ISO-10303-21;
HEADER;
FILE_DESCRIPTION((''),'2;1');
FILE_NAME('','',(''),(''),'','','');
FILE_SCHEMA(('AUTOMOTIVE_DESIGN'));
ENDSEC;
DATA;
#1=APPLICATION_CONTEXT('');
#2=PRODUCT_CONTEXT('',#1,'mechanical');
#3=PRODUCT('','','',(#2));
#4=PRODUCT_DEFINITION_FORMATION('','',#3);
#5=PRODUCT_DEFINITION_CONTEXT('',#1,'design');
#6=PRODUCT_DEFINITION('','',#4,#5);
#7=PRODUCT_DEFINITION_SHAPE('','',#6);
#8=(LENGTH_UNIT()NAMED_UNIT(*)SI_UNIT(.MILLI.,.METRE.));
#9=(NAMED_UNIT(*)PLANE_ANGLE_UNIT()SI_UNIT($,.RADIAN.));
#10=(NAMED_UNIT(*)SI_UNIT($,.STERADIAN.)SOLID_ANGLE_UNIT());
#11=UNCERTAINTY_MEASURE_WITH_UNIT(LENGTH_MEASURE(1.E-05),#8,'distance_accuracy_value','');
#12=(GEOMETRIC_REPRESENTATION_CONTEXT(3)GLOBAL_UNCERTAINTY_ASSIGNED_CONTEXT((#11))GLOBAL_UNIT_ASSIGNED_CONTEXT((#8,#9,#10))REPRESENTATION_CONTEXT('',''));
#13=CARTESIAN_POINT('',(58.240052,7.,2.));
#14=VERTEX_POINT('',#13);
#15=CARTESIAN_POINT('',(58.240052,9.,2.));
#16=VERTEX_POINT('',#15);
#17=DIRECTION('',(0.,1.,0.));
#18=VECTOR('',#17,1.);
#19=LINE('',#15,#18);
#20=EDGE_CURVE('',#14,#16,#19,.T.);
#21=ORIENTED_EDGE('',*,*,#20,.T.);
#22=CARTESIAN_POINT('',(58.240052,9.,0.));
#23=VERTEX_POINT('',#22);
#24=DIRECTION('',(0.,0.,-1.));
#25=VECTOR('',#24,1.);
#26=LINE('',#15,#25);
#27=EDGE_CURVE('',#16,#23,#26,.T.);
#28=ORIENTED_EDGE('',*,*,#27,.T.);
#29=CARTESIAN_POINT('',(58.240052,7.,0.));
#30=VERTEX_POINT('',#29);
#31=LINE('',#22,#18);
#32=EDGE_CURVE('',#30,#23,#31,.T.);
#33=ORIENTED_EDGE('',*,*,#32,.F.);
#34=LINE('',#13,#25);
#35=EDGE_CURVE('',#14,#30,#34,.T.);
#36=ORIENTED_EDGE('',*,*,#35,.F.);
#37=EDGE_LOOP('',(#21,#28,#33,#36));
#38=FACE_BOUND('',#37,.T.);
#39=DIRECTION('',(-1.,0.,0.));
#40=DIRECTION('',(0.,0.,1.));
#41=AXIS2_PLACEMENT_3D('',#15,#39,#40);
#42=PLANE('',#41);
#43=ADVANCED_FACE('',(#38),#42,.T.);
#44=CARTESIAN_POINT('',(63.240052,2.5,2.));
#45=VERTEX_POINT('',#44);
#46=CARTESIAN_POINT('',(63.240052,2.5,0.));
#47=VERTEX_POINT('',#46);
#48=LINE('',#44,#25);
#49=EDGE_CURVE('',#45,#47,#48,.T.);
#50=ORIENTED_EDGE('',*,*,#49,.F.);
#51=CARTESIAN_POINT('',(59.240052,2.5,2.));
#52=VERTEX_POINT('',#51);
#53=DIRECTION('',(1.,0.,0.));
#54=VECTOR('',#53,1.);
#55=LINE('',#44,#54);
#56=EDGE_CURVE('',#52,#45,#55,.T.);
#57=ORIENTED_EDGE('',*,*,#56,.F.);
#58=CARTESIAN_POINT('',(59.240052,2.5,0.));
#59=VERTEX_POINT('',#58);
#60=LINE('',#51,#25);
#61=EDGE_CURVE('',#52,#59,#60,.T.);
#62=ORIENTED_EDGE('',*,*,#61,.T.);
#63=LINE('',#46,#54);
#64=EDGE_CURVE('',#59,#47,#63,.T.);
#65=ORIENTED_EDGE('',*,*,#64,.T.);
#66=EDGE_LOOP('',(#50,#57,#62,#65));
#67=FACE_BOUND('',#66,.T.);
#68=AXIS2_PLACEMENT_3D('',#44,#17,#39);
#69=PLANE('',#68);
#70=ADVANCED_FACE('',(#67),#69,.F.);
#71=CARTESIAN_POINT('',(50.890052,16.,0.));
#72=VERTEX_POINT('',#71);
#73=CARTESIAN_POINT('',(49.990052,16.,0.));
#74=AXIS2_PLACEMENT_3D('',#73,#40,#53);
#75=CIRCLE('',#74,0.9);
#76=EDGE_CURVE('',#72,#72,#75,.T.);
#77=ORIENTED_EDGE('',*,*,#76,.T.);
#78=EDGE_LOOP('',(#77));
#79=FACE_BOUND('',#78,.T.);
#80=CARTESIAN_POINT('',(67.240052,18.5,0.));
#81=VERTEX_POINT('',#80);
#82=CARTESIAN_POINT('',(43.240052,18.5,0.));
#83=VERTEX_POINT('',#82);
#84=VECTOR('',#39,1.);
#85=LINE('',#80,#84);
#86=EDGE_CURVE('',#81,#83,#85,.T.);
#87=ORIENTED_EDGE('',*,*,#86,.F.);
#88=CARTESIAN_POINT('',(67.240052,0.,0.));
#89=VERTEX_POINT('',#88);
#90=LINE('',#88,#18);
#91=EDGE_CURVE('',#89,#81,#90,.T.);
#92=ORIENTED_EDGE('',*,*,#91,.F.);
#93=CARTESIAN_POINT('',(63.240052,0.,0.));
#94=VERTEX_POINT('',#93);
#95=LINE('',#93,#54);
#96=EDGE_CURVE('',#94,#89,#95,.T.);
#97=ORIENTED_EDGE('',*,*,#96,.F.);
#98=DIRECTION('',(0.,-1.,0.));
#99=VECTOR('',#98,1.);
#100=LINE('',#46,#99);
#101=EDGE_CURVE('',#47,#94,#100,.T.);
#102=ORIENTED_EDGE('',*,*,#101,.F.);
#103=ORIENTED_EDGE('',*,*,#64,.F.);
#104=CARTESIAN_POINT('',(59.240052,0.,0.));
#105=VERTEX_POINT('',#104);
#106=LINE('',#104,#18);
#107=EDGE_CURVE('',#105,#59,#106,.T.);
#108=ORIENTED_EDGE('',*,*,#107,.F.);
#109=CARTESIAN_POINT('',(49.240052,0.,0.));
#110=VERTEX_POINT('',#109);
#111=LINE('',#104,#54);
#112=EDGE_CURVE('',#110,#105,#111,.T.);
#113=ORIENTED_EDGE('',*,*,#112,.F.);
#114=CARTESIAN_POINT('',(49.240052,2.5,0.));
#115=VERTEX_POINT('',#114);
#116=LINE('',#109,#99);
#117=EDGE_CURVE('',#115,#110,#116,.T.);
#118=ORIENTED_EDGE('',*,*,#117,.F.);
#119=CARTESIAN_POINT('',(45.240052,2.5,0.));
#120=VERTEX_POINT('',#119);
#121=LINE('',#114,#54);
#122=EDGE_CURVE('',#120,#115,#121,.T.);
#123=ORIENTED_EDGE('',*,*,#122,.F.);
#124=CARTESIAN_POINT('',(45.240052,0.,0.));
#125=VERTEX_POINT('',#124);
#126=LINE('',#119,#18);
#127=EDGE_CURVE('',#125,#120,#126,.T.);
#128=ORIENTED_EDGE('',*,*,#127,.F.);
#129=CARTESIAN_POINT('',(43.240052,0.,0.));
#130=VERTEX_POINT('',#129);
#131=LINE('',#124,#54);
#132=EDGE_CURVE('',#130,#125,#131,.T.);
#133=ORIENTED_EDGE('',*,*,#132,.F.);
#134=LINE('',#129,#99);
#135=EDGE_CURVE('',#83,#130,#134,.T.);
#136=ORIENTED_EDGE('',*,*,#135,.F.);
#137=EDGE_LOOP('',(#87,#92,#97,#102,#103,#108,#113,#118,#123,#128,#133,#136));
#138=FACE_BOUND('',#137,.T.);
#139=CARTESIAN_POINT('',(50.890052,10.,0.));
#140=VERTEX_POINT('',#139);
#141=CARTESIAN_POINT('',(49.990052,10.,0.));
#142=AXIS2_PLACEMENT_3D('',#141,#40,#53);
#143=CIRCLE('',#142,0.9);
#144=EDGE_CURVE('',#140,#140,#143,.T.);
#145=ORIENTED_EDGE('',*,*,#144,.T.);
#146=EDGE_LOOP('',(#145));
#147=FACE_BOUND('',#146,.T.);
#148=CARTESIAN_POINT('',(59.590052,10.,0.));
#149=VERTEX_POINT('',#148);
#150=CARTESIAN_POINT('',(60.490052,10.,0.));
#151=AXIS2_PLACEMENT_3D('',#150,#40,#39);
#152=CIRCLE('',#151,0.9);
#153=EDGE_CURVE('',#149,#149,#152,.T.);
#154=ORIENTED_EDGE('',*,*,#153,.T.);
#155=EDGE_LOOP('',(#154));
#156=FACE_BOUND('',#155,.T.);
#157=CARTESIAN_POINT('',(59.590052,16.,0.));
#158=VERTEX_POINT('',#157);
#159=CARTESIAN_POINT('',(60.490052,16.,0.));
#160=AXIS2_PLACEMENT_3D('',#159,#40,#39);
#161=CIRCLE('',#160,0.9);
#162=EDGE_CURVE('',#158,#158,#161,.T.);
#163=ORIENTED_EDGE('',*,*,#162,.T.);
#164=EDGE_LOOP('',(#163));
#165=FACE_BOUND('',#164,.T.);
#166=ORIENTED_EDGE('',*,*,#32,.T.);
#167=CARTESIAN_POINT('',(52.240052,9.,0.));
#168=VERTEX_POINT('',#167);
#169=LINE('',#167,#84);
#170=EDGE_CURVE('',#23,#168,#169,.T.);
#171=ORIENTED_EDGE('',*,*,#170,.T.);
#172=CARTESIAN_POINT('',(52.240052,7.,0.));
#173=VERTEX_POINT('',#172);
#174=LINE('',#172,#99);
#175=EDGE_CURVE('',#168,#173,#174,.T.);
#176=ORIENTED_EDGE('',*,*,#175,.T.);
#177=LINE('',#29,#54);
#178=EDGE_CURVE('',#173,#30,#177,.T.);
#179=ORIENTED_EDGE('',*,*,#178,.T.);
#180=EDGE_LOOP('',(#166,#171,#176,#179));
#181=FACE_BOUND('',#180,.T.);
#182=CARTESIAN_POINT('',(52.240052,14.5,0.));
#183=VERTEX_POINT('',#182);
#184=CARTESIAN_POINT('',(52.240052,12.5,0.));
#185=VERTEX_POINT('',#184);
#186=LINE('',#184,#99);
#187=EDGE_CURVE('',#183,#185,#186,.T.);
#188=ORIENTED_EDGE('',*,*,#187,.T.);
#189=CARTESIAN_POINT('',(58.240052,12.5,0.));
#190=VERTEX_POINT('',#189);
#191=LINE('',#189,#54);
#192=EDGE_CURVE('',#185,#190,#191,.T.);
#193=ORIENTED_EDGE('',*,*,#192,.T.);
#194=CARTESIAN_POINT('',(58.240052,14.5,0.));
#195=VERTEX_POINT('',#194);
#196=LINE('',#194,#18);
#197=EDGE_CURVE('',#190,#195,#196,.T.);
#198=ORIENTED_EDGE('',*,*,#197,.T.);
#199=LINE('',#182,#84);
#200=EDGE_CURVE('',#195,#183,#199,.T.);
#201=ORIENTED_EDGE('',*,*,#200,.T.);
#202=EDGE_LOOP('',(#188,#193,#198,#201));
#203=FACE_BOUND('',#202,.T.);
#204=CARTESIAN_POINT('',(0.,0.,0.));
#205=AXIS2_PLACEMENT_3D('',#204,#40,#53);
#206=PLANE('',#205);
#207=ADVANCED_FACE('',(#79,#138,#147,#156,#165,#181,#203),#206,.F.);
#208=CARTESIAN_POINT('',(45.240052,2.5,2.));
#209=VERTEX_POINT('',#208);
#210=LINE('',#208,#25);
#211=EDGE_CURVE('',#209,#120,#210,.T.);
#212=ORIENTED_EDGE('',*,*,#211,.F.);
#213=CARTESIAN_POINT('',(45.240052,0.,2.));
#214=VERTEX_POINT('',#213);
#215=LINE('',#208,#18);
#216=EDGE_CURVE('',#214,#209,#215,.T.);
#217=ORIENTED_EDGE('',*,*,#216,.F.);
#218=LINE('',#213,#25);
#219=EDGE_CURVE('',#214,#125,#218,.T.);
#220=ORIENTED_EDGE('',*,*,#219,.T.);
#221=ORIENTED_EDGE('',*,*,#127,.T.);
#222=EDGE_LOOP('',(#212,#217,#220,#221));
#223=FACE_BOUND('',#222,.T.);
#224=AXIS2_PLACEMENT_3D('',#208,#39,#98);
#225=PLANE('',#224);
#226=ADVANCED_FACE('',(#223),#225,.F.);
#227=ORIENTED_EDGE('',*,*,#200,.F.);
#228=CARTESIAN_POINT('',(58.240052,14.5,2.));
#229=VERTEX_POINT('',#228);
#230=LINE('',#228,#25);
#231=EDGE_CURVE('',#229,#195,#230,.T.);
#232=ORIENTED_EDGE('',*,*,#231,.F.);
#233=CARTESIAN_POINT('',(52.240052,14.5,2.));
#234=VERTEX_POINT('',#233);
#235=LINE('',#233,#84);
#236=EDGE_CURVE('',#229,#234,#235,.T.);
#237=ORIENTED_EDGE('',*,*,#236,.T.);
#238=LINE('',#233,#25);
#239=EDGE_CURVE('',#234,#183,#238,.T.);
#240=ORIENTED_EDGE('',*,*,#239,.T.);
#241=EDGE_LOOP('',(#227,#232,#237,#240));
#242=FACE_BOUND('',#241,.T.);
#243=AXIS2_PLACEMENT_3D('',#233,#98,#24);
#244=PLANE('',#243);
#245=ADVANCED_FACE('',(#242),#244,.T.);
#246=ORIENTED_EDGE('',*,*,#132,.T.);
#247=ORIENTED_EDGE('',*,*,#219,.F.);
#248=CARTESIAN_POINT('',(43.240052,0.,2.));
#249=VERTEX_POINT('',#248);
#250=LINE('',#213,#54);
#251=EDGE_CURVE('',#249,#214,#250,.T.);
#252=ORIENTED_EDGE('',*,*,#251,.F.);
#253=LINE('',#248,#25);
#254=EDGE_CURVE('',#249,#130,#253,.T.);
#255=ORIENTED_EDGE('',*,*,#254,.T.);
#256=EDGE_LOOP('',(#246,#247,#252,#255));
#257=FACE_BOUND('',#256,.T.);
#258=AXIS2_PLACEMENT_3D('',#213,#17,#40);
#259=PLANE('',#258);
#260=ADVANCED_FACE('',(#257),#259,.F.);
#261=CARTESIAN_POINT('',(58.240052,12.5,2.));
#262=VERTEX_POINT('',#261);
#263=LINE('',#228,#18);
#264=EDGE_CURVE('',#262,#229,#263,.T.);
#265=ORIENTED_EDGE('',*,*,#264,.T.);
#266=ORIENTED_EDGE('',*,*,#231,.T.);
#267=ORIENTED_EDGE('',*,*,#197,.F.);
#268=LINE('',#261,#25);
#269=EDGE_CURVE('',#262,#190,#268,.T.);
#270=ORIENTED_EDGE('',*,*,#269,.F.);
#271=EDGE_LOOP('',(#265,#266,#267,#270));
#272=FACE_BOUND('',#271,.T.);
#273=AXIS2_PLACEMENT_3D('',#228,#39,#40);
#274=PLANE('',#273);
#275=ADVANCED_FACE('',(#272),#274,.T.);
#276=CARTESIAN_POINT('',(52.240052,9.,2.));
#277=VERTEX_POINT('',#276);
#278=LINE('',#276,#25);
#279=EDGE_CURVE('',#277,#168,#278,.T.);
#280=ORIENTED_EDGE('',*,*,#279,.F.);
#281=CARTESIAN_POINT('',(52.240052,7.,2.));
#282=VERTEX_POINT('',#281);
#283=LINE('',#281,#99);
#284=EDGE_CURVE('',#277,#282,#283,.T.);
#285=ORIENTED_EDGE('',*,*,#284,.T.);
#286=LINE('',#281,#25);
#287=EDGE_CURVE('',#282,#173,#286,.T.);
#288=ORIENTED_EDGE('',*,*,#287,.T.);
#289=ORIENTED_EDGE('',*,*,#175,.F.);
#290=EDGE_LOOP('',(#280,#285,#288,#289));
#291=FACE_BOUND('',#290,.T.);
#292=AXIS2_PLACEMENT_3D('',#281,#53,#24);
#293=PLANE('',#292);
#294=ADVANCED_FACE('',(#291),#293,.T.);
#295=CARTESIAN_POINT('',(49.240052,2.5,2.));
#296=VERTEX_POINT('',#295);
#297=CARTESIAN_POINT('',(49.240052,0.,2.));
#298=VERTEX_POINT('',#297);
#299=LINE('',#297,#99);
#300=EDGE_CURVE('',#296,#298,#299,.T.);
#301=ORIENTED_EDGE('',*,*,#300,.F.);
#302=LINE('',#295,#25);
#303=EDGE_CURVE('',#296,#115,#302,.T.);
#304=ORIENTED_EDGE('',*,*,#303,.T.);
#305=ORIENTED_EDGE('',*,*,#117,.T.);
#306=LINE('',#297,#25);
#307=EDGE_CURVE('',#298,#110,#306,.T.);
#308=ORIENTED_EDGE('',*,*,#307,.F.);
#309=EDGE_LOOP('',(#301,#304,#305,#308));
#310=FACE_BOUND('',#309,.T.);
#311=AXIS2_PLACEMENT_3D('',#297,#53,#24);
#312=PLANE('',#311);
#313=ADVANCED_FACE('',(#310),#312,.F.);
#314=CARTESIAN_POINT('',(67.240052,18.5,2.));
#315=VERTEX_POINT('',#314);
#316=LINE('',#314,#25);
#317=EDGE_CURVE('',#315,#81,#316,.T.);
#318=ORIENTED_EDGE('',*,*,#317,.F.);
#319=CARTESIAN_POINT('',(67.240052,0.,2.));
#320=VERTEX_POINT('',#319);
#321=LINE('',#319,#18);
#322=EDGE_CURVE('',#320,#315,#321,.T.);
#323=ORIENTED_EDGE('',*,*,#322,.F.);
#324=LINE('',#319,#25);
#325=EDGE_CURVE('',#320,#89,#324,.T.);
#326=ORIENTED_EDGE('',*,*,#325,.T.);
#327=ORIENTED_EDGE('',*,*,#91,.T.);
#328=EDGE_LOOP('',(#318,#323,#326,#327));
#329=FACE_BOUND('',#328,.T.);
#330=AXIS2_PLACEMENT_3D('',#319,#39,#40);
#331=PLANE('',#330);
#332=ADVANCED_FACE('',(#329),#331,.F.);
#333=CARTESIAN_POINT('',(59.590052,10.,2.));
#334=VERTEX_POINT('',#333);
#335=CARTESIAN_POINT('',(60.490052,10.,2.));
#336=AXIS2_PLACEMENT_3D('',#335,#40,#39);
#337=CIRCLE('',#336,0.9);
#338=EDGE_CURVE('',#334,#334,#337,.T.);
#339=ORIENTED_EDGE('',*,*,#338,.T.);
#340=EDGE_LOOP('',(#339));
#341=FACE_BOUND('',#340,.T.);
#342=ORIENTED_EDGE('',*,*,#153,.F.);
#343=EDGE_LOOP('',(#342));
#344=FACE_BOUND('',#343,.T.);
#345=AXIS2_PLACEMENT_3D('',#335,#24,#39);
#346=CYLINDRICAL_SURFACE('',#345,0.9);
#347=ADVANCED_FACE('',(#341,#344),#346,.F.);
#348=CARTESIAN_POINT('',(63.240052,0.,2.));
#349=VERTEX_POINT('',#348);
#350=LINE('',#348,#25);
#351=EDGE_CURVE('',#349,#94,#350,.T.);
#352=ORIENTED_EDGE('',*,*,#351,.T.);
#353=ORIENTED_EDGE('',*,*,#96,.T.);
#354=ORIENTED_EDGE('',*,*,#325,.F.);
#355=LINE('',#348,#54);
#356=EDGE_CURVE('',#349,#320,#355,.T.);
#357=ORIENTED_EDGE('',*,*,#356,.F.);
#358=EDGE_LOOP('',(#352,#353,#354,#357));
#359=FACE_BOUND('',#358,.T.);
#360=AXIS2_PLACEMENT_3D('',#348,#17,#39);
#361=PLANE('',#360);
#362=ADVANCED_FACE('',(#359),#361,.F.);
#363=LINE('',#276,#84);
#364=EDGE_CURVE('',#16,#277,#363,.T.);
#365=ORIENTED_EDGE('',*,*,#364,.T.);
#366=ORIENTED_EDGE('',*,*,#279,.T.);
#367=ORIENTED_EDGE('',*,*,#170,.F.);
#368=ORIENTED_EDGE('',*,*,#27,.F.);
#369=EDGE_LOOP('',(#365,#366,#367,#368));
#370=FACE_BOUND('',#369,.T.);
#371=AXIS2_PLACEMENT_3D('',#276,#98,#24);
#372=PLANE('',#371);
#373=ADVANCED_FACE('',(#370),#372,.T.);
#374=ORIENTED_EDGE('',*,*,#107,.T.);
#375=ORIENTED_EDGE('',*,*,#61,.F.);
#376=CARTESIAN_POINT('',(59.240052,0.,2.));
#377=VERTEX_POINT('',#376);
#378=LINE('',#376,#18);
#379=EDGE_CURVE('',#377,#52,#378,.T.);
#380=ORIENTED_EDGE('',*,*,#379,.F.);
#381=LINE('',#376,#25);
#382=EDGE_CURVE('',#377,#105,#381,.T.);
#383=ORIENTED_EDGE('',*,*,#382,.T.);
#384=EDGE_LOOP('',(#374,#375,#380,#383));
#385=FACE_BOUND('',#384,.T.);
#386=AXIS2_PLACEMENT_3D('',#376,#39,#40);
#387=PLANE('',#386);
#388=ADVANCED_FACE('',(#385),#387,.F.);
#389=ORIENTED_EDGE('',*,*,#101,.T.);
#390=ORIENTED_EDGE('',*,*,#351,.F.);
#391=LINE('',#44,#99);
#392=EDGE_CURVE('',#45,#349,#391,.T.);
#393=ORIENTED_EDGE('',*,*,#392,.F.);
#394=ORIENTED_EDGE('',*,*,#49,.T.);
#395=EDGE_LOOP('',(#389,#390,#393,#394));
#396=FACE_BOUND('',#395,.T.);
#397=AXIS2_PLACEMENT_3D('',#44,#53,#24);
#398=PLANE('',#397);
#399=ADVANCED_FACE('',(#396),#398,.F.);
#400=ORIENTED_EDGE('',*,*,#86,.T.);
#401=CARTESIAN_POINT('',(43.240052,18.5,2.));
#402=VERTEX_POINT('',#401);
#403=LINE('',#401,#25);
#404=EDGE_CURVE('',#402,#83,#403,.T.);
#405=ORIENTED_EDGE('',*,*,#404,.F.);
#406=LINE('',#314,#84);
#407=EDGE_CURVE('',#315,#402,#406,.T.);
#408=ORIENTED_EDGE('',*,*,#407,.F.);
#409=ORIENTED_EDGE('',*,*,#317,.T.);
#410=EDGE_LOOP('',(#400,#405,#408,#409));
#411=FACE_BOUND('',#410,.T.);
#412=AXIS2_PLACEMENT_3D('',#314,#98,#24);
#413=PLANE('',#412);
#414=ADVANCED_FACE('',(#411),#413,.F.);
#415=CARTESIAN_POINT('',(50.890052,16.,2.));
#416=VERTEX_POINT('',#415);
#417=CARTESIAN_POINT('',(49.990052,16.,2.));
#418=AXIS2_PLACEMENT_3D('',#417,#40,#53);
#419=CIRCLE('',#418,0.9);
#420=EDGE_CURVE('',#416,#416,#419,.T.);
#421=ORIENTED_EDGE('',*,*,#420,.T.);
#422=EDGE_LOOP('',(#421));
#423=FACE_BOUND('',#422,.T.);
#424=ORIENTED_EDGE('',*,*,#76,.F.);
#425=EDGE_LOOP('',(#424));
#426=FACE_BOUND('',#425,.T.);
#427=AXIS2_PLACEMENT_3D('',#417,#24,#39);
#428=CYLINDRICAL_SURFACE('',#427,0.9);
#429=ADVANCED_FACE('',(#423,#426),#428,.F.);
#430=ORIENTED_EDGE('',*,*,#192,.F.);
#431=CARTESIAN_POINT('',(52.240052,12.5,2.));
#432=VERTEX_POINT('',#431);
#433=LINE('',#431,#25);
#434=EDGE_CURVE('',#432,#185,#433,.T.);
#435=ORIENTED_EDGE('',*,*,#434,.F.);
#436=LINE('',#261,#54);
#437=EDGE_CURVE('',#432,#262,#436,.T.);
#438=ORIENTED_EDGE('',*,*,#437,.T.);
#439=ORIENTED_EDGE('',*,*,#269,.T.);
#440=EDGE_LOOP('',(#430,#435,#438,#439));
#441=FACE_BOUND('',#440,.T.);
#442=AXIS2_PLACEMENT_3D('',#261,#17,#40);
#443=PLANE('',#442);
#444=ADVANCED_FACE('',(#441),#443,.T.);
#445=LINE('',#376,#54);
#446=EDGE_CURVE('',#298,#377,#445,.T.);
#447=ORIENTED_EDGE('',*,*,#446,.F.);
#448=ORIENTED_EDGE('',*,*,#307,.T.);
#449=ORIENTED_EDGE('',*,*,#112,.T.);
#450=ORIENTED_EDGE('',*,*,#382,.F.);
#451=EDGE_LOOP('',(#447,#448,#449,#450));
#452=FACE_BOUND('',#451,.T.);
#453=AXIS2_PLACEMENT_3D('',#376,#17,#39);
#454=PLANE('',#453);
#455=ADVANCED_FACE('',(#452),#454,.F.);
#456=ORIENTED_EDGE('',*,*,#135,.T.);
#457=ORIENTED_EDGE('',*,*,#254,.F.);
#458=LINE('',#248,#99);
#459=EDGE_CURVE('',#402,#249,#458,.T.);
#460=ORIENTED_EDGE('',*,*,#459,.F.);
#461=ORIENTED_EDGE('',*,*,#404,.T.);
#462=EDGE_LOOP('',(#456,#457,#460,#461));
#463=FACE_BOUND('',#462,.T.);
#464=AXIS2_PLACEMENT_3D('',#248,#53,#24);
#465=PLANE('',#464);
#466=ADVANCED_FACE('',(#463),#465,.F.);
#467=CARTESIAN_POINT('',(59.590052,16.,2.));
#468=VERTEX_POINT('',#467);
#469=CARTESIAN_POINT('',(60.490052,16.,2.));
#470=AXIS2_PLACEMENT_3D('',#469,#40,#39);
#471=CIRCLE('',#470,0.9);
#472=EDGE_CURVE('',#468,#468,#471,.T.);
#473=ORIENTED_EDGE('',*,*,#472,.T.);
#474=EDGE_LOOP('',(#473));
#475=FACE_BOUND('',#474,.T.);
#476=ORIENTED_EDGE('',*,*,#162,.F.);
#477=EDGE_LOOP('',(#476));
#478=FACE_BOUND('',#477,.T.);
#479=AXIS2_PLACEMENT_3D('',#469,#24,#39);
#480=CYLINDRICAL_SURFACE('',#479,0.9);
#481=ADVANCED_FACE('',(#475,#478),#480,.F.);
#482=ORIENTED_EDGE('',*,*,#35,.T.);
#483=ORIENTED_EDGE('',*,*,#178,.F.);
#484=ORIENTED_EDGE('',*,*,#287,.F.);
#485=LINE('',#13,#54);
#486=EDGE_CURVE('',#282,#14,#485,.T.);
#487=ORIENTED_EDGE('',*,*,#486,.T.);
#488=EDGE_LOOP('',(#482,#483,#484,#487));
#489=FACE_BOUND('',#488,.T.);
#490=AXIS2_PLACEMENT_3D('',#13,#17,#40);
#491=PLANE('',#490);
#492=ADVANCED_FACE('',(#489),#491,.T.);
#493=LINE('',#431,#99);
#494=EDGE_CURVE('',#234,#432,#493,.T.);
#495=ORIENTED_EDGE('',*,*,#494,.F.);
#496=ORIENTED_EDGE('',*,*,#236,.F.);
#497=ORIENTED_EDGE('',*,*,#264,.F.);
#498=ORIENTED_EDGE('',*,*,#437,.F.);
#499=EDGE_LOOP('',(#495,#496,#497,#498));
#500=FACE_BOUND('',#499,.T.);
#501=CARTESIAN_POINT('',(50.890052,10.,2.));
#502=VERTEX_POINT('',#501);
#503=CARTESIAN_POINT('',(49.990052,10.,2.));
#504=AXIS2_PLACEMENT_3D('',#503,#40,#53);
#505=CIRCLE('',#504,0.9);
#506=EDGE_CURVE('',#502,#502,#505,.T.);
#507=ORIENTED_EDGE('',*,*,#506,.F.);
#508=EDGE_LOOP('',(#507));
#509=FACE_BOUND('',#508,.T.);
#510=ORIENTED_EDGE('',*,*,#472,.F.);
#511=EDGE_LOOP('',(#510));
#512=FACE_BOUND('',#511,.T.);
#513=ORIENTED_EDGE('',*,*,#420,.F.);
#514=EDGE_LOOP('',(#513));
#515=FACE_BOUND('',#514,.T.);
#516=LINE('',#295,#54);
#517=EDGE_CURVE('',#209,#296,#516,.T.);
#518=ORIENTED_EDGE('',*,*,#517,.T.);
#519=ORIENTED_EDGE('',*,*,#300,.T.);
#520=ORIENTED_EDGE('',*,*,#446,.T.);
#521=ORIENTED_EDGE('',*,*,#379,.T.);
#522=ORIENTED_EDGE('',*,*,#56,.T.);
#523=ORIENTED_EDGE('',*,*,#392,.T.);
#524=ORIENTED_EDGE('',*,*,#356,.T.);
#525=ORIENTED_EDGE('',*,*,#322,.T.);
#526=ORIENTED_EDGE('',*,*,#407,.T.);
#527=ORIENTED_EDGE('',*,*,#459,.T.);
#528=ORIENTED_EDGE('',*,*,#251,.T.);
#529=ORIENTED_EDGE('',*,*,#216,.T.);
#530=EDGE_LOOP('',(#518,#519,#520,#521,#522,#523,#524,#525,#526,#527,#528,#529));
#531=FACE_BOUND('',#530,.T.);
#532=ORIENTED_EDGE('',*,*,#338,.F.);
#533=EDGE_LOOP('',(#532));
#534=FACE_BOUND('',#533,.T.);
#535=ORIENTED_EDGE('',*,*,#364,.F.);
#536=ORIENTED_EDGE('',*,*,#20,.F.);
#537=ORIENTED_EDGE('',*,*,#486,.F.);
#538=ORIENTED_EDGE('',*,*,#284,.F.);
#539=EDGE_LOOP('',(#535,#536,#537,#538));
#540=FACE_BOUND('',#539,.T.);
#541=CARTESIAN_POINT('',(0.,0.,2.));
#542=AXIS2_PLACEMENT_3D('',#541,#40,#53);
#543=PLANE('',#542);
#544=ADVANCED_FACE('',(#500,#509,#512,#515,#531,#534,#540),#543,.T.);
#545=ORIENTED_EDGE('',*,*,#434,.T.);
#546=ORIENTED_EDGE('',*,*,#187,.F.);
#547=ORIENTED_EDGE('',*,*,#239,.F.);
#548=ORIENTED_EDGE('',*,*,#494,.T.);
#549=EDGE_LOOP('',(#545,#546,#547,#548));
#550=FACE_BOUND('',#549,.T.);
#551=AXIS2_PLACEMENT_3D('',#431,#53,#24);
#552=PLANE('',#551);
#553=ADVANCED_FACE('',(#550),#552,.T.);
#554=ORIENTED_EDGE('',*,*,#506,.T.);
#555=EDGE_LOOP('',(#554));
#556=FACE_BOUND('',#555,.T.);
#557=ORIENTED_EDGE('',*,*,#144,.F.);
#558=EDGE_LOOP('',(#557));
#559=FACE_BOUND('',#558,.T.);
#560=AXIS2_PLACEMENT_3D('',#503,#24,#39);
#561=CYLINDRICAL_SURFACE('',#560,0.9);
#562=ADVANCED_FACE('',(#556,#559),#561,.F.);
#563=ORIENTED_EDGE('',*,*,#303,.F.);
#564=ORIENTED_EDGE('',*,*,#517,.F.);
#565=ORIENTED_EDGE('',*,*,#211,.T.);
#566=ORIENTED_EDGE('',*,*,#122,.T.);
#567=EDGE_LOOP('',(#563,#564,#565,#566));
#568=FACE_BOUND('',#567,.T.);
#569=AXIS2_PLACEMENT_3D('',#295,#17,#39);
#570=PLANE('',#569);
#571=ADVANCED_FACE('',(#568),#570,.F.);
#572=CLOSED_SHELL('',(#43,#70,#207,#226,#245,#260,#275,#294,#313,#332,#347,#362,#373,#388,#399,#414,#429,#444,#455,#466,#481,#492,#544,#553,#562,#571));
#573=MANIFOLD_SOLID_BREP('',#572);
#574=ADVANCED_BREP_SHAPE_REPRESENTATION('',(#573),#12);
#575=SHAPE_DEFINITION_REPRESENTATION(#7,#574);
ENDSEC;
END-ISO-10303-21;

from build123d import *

# Parameters (mm, degrees)
SKETCH1_R           = 0.9
SKETCH1_W           = 6
SKETCH1_H           = 2
BOSS_EXTRUDE1_DEPTH = 2


with BuildPart() as part:
    # Sketch1 → Boss-Extrude1 (new body)
    with BuildSketch(Plane.XY):
        Polygon((59.240051945, 0), (49.240051945, 0), (49.240051945, 2.5), (45.240051945, 2.5), (45.240051945, 0), (43.240051945, 0), (43.240051945, 18.5), (67.240051945, 18.5), (67.240051945, 0), (63.240051945, 0), (63.240051945, 2.5), (59.240051945, 2.5), align=None)
        with Locations((60.490051945, 10)):
            Circle(SKETCH1_R, mode=Mode.SUBTRACT)
        with Locations((49.990051945, 16)):
            Circle(SKETCH1_R, mode=Mode.SUBTRACT)
        with Locations((49.990051945, 10)):
            Circle(SKETCH1_R, mode=Mode.SUBTRACT)
        with Locations((60.490051945, 16)):
            Circle(SKETCH1_R, mode=Mode.SUBTRACT)
        with Locations((55.240051945, 8)):
            Rectangle(SKETCH1_W, SKETCH1_H, mode=Mode.SUBTRACT)
        with Locations((55.240051945, 13.5)):
            Rectangle(SKETCH1_W, SKETCH1_H, mode=Mode.SUBTRACT)
    extrude(amount=BOSS_EXTRUDE1_DEPTH)


solid = part.part
